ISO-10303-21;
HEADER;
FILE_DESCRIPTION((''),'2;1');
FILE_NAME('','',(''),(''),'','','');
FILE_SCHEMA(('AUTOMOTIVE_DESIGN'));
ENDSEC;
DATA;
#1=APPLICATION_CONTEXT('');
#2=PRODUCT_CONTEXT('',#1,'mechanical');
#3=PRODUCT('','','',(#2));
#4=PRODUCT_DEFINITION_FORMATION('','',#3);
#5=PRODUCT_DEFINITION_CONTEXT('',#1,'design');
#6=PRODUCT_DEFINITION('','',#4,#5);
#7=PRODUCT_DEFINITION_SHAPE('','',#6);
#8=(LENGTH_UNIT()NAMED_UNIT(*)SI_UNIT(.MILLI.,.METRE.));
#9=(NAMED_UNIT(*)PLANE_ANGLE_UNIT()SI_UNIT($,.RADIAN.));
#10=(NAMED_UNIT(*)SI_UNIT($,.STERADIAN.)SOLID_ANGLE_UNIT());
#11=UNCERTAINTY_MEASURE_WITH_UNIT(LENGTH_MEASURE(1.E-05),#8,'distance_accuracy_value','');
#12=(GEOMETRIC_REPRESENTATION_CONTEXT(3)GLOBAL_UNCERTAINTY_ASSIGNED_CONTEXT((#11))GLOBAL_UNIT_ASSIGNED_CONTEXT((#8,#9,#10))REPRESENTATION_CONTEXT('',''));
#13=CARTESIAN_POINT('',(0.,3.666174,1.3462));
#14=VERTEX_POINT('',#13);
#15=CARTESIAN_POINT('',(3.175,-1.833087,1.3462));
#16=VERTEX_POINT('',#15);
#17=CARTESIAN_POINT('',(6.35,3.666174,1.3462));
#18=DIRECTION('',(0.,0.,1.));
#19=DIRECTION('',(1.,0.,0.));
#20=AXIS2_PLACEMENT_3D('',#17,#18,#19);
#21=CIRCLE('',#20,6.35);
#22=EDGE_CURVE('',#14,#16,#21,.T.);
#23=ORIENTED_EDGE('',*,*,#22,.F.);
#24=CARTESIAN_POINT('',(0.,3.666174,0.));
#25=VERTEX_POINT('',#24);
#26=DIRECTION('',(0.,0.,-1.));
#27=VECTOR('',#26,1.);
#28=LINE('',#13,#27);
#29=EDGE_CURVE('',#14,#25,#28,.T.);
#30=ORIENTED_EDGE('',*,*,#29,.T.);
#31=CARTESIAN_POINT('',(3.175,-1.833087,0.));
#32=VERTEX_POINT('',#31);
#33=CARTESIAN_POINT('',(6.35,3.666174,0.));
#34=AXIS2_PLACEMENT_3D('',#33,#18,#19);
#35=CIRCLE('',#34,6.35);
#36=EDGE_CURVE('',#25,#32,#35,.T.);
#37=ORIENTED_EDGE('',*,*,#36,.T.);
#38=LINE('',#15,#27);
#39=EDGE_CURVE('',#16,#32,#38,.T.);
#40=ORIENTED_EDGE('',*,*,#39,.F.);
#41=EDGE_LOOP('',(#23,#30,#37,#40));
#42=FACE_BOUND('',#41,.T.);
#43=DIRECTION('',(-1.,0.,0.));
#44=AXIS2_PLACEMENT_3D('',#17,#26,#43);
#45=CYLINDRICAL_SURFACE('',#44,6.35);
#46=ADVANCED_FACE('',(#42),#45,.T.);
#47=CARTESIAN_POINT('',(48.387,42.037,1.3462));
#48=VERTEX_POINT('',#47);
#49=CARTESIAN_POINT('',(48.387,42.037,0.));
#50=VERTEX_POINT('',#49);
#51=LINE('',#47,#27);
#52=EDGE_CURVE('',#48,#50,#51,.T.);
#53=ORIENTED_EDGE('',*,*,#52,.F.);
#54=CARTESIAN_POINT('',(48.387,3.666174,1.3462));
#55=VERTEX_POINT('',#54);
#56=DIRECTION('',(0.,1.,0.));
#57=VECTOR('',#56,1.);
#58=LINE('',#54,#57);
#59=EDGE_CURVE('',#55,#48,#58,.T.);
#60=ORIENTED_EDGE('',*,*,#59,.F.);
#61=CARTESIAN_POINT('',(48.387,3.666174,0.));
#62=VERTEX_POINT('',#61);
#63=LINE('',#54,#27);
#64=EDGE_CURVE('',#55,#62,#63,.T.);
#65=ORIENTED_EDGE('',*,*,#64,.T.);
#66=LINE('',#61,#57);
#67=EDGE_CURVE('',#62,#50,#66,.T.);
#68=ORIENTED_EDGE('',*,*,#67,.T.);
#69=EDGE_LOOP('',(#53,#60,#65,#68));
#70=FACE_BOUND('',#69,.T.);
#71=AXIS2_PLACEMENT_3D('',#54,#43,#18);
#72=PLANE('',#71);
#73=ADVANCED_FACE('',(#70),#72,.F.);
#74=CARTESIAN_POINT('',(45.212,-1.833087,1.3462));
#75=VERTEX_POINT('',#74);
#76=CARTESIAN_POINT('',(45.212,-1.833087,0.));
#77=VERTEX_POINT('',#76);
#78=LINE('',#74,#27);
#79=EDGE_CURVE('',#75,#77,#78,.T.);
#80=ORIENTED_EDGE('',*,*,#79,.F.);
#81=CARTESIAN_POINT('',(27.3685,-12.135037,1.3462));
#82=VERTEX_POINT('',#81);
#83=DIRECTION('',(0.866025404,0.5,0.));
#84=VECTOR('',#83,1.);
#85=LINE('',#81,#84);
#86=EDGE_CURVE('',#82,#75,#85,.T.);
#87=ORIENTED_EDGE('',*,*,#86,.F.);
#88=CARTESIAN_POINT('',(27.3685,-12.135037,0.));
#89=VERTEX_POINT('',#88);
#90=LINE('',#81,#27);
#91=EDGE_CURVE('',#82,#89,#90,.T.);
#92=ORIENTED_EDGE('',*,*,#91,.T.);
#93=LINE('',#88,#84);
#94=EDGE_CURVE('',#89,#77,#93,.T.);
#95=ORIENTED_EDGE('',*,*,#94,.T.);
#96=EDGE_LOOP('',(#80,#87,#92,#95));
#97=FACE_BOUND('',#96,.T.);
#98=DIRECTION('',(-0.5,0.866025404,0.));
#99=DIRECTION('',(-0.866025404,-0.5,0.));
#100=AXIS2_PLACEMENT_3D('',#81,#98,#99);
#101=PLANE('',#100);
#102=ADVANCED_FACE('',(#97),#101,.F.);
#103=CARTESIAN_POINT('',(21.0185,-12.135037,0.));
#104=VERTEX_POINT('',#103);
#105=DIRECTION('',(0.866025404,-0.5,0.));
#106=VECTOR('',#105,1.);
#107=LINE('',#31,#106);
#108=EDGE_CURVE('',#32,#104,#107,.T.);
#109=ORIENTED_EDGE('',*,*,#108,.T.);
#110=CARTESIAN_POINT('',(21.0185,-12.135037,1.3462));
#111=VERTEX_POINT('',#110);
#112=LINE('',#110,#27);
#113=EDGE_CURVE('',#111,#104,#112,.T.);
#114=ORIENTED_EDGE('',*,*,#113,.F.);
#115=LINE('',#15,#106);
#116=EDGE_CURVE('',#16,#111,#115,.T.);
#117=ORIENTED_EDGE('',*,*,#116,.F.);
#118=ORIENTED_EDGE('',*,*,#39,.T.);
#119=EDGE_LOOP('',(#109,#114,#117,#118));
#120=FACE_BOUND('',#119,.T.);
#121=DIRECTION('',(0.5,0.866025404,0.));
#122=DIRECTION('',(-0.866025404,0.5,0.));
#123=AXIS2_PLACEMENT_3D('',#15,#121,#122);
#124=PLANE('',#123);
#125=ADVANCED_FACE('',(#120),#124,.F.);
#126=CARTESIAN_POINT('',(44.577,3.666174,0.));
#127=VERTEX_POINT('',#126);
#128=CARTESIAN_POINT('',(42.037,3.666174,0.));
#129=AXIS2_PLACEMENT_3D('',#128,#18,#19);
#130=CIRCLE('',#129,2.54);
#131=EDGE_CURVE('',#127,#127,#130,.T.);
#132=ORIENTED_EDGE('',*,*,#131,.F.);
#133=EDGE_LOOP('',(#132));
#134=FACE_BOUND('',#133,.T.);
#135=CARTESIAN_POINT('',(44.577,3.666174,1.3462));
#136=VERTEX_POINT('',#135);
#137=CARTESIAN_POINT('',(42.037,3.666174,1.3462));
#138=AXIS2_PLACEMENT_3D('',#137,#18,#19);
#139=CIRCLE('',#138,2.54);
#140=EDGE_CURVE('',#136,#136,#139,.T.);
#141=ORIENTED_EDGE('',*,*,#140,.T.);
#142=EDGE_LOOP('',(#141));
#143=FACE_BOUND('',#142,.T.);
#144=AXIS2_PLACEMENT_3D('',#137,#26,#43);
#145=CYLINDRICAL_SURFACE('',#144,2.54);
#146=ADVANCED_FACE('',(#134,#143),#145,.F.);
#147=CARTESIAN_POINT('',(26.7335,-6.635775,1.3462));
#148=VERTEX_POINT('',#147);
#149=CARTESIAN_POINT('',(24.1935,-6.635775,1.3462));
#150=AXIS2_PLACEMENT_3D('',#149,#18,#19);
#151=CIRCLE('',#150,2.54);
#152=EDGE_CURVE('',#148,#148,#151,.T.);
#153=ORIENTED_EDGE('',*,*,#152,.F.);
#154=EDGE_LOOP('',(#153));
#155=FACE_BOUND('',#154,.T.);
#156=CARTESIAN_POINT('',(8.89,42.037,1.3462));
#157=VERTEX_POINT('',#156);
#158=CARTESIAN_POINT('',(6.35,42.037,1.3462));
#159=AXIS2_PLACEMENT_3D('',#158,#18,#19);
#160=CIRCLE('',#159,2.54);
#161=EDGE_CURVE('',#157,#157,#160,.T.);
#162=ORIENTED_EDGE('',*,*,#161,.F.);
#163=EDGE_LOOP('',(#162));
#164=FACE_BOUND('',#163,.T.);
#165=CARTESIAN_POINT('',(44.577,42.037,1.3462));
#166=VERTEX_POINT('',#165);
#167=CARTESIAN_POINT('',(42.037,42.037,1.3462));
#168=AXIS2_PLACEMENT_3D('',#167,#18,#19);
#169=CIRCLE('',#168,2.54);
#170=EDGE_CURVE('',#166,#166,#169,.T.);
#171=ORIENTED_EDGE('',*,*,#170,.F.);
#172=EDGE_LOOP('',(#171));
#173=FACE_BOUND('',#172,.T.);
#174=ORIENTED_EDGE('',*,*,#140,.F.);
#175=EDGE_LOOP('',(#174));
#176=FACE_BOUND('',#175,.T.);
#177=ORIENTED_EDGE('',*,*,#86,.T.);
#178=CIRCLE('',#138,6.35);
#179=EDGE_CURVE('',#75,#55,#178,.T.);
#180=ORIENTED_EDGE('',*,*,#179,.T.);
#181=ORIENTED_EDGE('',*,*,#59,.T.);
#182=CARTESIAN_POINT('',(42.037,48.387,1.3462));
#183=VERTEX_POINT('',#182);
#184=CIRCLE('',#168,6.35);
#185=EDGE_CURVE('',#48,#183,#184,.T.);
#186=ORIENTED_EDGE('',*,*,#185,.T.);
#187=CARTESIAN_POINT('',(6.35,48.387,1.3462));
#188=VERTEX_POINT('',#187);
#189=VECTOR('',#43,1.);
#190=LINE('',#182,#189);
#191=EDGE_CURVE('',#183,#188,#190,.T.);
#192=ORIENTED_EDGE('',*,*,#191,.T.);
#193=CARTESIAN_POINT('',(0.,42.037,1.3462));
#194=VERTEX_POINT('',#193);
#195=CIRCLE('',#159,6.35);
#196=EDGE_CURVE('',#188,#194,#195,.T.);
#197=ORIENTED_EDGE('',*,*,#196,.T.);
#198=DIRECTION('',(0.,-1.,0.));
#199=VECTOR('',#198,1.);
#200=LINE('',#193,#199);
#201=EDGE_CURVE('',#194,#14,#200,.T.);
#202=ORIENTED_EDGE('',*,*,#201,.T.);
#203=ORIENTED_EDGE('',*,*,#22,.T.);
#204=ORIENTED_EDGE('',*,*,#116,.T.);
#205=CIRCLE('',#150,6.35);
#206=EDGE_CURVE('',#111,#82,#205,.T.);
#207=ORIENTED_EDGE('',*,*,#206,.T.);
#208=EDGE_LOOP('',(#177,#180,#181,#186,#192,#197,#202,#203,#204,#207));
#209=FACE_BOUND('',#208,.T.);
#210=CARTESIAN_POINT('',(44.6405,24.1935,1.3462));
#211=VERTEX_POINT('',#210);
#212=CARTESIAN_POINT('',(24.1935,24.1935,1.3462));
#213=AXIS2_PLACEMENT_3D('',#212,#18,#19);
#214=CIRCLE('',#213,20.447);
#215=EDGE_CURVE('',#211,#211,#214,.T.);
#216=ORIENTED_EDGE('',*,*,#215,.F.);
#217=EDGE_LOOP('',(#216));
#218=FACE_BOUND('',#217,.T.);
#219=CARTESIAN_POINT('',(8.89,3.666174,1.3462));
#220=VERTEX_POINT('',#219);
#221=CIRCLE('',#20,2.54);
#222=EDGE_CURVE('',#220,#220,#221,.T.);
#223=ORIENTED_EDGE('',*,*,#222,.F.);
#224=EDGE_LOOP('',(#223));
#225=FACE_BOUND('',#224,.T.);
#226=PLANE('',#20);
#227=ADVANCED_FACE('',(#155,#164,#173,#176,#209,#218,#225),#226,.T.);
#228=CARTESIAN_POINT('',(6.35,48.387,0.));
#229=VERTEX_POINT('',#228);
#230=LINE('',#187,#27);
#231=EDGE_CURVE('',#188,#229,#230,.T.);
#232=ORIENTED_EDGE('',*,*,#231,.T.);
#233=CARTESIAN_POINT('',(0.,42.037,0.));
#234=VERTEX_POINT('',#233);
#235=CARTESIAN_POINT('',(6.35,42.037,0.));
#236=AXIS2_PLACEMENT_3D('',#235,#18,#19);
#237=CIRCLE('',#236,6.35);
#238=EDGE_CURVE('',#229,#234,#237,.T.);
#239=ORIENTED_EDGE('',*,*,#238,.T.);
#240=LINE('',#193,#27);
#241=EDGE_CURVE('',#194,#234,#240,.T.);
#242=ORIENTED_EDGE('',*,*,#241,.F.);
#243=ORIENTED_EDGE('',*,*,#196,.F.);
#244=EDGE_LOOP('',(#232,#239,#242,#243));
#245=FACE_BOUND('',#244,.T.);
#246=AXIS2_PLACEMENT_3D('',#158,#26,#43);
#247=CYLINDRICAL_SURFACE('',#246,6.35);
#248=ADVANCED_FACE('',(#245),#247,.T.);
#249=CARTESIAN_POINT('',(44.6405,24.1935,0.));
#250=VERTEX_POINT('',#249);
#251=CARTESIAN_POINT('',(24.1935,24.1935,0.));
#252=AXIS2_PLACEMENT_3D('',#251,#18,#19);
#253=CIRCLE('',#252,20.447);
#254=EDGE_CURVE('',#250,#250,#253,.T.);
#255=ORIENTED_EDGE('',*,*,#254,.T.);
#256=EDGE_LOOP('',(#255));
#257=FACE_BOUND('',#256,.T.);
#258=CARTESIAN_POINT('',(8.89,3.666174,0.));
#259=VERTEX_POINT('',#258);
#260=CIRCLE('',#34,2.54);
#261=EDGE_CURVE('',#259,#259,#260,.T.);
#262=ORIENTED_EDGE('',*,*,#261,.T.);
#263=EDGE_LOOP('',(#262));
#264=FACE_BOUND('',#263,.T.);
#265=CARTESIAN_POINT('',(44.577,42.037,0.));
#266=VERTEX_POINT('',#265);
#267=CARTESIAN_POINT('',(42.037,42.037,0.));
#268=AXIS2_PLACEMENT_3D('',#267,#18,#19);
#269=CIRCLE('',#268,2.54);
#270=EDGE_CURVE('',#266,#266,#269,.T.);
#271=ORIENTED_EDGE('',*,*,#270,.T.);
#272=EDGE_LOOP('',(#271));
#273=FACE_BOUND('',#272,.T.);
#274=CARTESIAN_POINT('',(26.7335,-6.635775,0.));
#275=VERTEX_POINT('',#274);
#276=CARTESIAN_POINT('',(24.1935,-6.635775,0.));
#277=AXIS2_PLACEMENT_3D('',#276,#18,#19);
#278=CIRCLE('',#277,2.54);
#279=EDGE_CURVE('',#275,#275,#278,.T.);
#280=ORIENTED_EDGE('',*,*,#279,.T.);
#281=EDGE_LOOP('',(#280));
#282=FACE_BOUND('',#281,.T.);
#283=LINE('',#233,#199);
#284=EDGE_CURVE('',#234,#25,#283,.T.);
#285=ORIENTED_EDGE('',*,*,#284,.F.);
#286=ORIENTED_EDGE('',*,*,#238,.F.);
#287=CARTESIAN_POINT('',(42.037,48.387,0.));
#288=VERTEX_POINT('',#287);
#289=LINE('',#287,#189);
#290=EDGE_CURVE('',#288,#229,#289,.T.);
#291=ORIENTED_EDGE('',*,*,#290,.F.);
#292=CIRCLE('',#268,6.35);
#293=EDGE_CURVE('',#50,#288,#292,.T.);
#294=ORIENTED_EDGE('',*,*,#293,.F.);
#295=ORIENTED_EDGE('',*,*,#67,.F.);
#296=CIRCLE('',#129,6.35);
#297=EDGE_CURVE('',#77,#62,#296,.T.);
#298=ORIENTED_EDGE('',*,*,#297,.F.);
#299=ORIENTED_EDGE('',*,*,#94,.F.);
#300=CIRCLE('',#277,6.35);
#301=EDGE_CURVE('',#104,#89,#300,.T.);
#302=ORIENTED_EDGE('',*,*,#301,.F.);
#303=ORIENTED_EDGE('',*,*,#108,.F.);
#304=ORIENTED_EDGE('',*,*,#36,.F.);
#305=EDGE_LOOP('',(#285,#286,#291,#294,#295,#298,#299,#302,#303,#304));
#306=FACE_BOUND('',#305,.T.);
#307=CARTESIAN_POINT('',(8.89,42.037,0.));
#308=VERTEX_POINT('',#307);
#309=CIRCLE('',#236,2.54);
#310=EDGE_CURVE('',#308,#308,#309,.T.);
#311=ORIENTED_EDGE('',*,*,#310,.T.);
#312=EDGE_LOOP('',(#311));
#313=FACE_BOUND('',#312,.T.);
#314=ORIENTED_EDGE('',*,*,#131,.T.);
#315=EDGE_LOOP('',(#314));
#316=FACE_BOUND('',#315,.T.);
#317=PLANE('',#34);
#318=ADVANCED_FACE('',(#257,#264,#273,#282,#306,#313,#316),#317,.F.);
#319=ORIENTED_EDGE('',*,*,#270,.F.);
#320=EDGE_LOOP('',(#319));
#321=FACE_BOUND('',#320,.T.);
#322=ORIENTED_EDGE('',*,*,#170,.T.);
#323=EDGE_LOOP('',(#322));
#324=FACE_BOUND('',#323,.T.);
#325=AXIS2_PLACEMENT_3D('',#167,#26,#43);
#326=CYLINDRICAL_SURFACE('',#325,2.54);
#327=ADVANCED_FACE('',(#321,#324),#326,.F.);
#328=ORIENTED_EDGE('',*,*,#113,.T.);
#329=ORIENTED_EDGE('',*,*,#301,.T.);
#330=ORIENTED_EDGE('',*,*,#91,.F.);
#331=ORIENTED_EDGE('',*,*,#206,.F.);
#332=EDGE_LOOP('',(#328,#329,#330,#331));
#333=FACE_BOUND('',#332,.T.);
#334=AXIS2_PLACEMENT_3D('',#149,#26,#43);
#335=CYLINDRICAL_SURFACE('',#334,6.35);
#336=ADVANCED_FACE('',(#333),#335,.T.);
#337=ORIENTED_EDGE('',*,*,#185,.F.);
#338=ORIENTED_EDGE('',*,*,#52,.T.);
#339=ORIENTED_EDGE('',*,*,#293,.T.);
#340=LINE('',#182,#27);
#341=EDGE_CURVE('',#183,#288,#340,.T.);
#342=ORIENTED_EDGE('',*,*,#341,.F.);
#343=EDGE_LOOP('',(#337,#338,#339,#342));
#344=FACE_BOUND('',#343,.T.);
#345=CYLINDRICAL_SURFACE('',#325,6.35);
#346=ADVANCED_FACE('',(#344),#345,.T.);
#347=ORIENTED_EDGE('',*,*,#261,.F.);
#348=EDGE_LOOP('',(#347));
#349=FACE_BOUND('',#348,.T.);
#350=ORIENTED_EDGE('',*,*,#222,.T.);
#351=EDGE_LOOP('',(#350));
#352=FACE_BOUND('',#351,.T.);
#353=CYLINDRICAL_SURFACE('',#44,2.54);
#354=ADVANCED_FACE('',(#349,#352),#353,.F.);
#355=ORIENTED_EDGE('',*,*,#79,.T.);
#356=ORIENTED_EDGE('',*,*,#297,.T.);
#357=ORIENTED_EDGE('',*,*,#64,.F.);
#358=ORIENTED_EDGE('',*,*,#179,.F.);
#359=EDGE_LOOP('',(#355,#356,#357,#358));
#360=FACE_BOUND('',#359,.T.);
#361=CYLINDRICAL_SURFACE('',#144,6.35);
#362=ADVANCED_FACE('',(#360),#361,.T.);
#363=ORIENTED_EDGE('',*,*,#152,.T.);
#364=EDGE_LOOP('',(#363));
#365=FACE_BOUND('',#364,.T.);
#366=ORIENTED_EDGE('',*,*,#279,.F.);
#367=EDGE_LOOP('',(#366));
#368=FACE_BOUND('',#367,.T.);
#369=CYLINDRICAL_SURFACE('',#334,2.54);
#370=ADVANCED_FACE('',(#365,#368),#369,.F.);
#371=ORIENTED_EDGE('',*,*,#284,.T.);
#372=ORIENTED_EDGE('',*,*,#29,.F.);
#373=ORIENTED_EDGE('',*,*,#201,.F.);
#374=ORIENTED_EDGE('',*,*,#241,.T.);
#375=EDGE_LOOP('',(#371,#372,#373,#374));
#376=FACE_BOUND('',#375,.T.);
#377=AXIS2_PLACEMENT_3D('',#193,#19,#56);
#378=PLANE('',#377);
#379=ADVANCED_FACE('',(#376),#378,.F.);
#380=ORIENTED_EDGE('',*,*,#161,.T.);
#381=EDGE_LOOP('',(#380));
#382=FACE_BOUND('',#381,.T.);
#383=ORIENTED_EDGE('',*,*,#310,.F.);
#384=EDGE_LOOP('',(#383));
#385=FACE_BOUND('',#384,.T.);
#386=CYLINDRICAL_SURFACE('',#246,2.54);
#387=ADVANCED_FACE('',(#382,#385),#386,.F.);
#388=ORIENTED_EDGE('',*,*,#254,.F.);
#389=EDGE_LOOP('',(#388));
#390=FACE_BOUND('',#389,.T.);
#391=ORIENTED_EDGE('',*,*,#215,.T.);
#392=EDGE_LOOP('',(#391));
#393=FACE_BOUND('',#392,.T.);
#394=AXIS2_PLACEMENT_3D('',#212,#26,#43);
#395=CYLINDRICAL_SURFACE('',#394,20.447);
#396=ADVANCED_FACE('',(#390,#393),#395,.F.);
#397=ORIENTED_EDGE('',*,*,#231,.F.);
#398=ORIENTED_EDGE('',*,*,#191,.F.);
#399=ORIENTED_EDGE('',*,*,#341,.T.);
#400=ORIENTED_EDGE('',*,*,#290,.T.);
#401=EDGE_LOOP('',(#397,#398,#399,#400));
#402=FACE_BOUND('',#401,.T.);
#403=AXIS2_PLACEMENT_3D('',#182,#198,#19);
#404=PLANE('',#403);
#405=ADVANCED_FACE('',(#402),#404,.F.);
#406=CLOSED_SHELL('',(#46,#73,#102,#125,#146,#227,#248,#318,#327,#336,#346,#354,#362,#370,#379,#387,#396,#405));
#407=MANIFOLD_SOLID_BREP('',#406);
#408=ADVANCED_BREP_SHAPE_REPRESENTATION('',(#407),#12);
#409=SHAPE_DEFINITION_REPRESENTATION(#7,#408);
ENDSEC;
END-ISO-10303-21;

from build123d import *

# Parameters (mm, degrees)
SKETCH1_R           = 2.54
SKETCH1_R_2         = 20.447
BOSS_EXTRUDE1_DEPTH = 1.3462


with BuildPart() as part:
    # Sketch1 → Boss-Extrude1 (new body)
    with BuildSketch(Plane.XY):
        with BuildLine():
            Line((48.387, 3.666174209), (48.387, 42.037))
            ThreePointArc((48.387, 42.037), (46.527128061, 46.527128061), (42.037, 48.387))
            Line((42.037, 48.387), (6.35, 48.387))
            ThreePointArc((6.35, 48.387), (1.859871939, 46.527128061), (0, 42.037))
            Line((0, 42.037), (0, 3.666174209))
            ThreePointArc((0, 3.666174209), (0.850738686, 0.491174209), (3.175, -1.833087105))
            Line((3.175, -1.833087105), (21.0185, -12.135036633))
            ThreePointArc((21.0185, -12.135036633), (24.1935, -12.985775319), (27.3685, -12.135036633))
            Line((27.3685, -12.135036633), (45.212, -1.833087105))
            ThreePointArc((45.212, -1.833087105), (47.536261314, 0.491174209), (48.387, 3.666174209))
        make_face()
        with Locations((6.35, 42.037)):
            Circle(SKETCH1_R, mode=Mode.SUBTRACT)
        with Locations((42.037, 42.037)):
            Circle(SKETCH1_R, mode=Mode.SUBTRACT)
        with Locations((42.037, 3.666174209)):
            Circle(SKETCH1_R, mode=Mode.SUBTRACT)
        with Locations((6.35, 3.666174209)):
            Circle(SKETCH1_R, mode=Mode.SUBTRACT)
        with Locations((24.1935, -6.635775319)):
            Circle(SKETCH1_R, mode=Mode.SUBTRACT)
        with Locations((24.1935, 24.1935)):
            Circle(SKETCH1_R_2, mode=Mode.SUBTRACT)
    extrude(amount=BOSS_EXTRUDE1_DEPTH)


solid = part.part
